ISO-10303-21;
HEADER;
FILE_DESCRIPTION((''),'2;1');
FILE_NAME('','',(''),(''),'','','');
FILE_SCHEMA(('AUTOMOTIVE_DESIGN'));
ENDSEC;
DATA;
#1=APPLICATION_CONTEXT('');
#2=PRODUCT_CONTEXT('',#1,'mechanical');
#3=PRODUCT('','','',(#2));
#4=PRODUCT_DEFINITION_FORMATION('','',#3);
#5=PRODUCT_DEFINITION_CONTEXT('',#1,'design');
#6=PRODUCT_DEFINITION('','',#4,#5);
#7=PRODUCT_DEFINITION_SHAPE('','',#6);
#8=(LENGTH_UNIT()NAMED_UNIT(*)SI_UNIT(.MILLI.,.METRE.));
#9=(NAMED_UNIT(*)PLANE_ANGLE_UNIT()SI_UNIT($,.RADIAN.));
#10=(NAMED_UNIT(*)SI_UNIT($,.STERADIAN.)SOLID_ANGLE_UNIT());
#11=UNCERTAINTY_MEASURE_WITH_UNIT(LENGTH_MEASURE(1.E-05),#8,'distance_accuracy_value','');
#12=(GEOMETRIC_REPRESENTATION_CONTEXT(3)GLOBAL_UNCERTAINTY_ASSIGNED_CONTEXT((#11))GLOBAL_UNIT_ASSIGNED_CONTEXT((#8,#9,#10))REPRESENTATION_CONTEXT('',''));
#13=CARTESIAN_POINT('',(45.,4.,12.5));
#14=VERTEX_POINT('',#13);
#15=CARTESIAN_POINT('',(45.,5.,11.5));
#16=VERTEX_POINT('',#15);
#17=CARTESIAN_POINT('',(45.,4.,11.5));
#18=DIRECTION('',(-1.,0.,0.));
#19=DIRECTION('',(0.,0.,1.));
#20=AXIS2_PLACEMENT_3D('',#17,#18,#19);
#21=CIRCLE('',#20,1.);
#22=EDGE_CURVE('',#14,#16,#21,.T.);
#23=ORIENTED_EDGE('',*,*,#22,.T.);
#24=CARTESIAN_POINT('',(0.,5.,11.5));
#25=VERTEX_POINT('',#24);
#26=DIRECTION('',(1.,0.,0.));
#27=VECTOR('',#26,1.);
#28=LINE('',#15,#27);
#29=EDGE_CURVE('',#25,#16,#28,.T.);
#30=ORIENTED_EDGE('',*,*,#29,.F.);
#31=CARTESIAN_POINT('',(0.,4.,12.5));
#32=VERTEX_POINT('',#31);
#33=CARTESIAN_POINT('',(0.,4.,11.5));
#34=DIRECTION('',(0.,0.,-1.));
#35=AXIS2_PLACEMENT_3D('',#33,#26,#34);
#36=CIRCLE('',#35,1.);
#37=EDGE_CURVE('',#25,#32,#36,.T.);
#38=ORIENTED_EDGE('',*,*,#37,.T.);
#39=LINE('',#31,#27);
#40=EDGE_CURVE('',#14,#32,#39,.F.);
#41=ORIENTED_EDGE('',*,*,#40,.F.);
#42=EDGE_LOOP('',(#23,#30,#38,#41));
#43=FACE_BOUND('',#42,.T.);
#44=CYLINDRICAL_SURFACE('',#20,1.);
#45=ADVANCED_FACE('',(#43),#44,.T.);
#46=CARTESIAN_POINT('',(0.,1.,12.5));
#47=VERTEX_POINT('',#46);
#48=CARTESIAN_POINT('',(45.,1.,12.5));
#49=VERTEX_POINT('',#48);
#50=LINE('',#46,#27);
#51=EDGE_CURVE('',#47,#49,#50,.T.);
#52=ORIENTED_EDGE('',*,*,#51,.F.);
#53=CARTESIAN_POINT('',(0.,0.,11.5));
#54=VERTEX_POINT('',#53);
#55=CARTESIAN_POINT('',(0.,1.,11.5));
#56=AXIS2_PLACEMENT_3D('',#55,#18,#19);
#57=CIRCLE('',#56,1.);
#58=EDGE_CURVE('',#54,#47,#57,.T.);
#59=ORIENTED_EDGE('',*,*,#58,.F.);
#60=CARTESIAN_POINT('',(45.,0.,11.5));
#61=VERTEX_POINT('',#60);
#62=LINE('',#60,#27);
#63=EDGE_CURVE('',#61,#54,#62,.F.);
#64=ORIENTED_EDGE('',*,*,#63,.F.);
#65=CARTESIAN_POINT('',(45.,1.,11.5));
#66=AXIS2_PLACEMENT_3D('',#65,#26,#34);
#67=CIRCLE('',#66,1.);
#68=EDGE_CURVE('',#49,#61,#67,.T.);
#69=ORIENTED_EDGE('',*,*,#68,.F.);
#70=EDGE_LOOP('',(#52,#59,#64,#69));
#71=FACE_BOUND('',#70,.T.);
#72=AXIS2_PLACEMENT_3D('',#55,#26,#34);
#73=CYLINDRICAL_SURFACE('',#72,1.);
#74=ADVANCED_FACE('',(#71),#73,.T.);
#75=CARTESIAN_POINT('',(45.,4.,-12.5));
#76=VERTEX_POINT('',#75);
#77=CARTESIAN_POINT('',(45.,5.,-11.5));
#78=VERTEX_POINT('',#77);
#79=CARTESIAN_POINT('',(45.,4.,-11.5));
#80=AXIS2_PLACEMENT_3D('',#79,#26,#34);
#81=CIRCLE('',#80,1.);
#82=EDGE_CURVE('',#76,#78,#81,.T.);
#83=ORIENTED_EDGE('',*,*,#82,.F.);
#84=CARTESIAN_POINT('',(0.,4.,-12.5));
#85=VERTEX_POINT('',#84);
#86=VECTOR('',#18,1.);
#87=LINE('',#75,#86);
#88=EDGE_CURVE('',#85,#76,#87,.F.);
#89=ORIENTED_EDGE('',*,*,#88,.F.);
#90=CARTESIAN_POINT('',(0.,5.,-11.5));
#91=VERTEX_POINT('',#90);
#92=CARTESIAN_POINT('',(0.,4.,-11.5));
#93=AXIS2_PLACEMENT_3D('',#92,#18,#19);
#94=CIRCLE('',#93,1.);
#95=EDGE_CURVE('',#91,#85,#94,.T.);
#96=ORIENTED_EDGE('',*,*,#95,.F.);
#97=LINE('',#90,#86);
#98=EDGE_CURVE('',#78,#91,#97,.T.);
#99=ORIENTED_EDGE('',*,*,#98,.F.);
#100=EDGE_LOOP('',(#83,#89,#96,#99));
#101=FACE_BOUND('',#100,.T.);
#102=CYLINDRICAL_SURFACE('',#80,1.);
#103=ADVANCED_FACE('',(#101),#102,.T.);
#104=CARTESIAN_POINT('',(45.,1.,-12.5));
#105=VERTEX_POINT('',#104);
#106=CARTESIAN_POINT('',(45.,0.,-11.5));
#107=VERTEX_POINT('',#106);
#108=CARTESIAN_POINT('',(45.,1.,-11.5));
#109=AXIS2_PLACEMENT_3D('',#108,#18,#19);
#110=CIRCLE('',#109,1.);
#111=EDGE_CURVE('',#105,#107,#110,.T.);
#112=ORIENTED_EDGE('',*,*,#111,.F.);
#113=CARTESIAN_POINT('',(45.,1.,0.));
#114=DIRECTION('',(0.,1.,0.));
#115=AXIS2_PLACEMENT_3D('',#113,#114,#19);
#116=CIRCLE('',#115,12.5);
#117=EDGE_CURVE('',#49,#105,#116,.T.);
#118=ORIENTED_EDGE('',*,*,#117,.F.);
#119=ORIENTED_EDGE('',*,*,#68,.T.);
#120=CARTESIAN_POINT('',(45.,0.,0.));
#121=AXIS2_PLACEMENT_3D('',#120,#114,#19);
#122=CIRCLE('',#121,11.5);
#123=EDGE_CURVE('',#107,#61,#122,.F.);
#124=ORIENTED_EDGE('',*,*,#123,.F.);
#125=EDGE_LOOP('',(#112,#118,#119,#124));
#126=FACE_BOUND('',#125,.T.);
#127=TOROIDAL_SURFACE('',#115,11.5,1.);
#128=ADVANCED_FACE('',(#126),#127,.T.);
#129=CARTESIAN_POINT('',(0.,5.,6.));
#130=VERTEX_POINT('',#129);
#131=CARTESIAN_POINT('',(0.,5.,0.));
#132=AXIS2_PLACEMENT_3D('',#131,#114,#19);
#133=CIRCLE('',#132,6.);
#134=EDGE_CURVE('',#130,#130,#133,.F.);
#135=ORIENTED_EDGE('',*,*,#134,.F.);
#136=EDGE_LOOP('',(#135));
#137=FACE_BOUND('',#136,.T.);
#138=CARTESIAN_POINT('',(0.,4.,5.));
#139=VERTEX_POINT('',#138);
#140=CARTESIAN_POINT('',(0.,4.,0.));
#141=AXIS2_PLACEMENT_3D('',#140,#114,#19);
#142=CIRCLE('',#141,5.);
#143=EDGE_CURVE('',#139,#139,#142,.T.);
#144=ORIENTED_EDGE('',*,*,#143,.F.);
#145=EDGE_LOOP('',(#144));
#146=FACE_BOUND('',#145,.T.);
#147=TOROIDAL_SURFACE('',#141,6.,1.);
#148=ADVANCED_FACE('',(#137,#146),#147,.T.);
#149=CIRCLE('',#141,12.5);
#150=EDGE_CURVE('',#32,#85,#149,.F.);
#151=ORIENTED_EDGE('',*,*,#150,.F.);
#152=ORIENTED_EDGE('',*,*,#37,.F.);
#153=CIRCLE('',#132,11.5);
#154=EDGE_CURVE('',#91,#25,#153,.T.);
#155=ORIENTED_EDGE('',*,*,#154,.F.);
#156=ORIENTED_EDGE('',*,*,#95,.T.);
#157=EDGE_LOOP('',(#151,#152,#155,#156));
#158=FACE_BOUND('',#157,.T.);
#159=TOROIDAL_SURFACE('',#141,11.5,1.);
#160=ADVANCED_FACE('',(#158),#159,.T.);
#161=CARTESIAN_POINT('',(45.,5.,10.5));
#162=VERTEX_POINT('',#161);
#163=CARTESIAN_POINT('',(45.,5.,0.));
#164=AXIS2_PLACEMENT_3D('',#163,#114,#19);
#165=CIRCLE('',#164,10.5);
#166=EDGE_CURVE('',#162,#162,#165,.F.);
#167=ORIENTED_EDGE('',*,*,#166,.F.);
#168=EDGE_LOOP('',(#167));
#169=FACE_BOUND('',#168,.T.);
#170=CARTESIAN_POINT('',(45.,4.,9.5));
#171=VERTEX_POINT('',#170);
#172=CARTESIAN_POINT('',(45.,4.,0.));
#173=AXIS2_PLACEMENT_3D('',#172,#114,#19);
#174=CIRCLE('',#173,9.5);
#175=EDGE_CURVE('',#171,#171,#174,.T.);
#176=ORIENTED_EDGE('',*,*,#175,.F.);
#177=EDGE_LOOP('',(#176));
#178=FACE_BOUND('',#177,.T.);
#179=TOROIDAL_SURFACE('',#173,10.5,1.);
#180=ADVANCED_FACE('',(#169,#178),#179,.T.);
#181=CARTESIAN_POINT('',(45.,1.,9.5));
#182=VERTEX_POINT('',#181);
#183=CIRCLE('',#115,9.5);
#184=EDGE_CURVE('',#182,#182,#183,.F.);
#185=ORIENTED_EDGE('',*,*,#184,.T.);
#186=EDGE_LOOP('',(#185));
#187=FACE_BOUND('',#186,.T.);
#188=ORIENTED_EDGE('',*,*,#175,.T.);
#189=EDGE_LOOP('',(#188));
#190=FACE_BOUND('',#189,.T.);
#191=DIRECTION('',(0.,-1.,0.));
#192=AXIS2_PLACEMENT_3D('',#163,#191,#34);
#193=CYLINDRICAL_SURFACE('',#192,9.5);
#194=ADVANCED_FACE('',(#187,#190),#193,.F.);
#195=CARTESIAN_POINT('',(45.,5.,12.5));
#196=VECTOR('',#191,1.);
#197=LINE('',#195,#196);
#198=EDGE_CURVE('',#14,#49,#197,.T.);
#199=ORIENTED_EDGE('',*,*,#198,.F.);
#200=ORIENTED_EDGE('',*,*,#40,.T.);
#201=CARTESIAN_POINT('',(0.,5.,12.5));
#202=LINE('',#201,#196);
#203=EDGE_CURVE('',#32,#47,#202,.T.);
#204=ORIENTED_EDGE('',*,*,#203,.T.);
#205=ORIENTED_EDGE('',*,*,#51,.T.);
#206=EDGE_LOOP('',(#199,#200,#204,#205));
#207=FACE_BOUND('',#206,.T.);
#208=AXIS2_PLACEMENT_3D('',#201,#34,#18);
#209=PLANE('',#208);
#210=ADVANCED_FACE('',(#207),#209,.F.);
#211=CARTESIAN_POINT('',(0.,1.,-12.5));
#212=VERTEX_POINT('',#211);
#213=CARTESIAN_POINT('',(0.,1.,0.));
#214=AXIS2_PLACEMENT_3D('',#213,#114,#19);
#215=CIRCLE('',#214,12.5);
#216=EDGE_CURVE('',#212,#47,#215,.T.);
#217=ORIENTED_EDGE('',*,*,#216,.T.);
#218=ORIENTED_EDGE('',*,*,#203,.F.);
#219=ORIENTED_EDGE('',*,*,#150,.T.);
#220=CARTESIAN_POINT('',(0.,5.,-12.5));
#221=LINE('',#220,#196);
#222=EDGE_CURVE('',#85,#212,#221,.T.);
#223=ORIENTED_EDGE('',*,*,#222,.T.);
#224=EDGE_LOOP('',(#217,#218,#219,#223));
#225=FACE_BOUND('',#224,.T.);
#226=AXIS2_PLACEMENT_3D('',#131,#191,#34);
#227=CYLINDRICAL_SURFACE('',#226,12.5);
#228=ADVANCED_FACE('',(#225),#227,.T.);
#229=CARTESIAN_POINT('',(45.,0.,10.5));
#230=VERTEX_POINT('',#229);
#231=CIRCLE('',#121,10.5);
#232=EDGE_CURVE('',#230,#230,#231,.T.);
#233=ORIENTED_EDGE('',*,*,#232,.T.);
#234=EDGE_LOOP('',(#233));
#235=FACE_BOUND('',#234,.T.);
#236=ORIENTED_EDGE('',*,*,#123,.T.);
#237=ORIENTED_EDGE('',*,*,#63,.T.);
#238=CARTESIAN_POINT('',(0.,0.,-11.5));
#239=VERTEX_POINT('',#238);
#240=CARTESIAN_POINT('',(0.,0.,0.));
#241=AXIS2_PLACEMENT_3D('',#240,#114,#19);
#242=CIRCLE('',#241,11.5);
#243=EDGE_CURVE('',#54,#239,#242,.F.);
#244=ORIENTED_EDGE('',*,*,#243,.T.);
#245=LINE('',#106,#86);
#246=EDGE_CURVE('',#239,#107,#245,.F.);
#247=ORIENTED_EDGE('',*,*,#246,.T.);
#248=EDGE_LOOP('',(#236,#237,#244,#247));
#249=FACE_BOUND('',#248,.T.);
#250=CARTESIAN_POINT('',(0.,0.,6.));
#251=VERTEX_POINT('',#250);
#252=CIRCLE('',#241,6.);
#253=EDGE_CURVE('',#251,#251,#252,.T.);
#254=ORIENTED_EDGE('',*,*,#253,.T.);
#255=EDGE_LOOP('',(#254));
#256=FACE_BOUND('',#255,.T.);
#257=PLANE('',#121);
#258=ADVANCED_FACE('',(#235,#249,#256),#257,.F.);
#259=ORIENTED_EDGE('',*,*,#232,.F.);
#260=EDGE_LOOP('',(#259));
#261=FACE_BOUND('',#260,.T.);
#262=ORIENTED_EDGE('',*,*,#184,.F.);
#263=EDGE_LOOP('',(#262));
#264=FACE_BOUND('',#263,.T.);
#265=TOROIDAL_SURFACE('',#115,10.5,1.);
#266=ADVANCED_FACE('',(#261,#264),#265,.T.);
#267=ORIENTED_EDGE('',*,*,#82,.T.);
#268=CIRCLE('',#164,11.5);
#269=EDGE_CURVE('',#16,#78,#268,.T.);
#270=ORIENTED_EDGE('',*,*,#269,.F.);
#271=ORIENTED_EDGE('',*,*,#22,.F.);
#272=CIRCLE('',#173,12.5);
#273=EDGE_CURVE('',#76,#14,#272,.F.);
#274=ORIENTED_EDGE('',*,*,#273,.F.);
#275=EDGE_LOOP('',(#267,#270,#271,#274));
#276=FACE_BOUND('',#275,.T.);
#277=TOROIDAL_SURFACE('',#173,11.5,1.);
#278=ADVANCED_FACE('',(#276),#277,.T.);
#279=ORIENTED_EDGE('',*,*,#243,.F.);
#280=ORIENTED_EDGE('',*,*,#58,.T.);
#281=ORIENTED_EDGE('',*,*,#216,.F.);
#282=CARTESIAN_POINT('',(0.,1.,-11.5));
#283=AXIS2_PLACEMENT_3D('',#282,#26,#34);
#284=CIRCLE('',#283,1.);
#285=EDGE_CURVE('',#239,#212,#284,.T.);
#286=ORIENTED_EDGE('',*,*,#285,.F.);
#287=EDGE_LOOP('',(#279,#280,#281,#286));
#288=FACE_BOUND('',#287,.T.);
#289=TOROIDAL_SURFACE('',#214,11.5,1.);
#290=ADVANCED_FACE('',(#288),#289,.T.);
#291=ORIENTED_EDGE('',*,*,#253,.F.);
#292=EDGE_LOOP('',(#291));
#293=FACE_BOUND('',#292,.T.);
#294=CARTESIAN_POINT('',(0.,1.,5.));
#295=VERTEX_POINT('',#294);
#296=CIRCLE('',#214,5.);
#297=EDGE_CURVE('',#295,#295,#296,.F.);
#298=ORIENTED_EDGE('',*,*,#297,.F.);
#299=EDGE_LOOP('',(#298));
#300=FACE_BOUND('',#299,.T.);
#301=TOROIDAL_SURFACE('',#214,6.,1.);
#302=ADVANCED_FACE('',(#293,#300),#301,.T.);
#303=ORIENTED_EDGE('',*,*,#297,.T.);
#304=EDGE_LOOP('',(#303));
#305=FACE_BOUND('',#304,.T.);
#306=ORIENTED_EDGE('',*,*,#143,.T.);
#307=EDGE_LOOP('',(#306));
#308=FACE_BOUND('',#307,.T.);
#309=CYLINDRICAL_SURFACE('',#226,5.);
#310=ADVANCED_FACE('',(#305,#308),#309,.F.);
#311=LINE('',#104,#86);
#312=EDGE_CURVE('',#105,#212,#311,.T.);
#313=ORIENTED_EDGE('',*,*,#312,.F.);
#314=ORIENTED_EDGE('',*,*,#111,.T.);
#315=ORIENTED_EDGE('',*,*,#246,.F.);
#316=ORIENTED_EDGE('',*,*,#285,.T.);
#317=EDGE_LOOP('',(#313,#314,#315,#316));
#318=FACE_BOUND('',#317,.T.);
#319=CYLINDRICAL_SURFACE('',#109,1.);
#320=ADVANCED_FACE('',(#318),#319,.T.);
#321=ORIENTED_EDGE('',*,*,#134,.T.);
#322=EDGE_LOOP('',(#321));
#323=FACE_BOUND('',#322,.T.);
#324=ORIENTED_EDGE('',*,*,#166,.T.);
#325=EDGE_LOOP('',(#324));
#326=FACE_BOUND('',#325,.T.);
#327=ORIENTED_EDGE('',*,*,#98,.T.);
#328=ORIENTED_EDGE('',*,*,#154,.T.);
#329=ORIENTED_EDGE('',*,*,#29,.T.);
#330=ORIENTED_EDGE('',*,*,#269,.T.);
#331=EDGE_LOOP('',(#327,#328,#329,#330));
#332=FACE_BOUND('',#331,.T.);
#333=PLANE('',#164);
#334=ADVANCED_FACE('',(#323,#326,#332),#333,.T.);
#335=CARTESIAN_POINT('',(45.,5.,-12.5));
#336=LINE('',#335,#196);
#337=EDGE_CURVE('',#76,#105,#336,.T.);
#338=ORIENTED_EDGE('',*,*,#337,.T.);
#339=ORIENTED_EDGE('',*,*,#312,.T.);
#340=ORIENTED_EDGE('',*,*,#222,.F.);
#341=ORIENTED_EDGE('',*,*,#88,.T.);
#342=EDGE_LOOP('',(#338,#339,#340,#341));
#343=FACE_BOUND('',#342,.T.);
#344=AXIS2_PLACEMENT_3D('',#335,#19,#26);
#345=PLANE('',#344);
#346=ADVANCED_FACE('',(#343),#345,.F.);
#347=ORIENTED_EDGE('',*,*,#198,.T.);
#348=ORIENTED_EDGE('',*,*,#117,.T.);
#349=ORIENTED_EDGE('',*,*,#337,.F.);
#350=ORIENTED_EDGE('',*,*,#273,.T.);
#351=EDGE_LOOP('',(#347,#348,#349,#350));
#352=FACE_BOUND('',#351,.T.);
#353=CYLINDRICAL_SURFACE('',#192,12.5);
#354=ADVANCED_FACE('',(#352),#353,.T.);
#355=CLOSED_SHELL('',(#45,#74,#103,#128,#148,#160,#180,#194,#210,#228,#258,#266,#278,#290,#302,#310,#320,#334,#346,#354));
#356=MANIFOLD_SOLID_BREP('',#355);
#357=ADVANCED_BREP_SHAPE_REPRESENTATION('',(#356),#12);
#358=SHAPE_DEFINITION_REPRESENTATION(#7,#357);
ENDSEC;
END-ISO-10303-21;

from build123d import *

# Parameters (mm, degrees)
SKETCH1_R           = 5
SKETCH1_R_2         = 9.5
BOSS_EXTRUDE1_DEPTH = 5
FILLET1_R           = 1


with BuildPart() as part:
    # Sketch1 → Boss-Extrude1 (new body)
    with BuildSketch(Plane(origin=(0, 0, 0), x_dir=(1, 0, 0), z_dir=(0, 1, 0))):
        with BuildLine():
            Line((45, 12.5), (0, 12.5))
            ThreePointArc((0, 12.5), (-12.5, 0), (0, -12.5))
            Line((0, -12.5), (45, -12.5))
            ThreePointArc((45, -12.5), (57.5, 0), (45, 12.5))
        make_face()
        with Locations(Location((0, 0, 0), (0, 0, 270))):
            Circle(SKETCH1_R, mode=Mode.SUBTRACT)
        with Locations(Location((45, 0, 0), (0, 0, 270))):
            Circle(SKETCH1_R_2, mode=Mode.SUBTRACT)
    extrude(amount=BOSS_EXTRUDE1_DEPTH)

    # Fillet1
    fillet1_edges = [part.edges().sort_by_distance(p)[0] for p in [
        (0, 0, -5),
        (0, 5, -5),
        (-12.5, 5, 0),
        (45, 0, -9.5),
        (45, 5, -9.5),
        (22.5, 5, 12.5),
        (57.5, 5, 0),
        (22.5, 0, 12.5),
        (-12.5, 0, 0),
        (22.5, 0, -12.5),
        (57.5, 0, 0),
        (22.5, 5, -12.5),
    ]]
    fillet(fillet1_edges, radius=FILLET1_R)


solid = part.part
